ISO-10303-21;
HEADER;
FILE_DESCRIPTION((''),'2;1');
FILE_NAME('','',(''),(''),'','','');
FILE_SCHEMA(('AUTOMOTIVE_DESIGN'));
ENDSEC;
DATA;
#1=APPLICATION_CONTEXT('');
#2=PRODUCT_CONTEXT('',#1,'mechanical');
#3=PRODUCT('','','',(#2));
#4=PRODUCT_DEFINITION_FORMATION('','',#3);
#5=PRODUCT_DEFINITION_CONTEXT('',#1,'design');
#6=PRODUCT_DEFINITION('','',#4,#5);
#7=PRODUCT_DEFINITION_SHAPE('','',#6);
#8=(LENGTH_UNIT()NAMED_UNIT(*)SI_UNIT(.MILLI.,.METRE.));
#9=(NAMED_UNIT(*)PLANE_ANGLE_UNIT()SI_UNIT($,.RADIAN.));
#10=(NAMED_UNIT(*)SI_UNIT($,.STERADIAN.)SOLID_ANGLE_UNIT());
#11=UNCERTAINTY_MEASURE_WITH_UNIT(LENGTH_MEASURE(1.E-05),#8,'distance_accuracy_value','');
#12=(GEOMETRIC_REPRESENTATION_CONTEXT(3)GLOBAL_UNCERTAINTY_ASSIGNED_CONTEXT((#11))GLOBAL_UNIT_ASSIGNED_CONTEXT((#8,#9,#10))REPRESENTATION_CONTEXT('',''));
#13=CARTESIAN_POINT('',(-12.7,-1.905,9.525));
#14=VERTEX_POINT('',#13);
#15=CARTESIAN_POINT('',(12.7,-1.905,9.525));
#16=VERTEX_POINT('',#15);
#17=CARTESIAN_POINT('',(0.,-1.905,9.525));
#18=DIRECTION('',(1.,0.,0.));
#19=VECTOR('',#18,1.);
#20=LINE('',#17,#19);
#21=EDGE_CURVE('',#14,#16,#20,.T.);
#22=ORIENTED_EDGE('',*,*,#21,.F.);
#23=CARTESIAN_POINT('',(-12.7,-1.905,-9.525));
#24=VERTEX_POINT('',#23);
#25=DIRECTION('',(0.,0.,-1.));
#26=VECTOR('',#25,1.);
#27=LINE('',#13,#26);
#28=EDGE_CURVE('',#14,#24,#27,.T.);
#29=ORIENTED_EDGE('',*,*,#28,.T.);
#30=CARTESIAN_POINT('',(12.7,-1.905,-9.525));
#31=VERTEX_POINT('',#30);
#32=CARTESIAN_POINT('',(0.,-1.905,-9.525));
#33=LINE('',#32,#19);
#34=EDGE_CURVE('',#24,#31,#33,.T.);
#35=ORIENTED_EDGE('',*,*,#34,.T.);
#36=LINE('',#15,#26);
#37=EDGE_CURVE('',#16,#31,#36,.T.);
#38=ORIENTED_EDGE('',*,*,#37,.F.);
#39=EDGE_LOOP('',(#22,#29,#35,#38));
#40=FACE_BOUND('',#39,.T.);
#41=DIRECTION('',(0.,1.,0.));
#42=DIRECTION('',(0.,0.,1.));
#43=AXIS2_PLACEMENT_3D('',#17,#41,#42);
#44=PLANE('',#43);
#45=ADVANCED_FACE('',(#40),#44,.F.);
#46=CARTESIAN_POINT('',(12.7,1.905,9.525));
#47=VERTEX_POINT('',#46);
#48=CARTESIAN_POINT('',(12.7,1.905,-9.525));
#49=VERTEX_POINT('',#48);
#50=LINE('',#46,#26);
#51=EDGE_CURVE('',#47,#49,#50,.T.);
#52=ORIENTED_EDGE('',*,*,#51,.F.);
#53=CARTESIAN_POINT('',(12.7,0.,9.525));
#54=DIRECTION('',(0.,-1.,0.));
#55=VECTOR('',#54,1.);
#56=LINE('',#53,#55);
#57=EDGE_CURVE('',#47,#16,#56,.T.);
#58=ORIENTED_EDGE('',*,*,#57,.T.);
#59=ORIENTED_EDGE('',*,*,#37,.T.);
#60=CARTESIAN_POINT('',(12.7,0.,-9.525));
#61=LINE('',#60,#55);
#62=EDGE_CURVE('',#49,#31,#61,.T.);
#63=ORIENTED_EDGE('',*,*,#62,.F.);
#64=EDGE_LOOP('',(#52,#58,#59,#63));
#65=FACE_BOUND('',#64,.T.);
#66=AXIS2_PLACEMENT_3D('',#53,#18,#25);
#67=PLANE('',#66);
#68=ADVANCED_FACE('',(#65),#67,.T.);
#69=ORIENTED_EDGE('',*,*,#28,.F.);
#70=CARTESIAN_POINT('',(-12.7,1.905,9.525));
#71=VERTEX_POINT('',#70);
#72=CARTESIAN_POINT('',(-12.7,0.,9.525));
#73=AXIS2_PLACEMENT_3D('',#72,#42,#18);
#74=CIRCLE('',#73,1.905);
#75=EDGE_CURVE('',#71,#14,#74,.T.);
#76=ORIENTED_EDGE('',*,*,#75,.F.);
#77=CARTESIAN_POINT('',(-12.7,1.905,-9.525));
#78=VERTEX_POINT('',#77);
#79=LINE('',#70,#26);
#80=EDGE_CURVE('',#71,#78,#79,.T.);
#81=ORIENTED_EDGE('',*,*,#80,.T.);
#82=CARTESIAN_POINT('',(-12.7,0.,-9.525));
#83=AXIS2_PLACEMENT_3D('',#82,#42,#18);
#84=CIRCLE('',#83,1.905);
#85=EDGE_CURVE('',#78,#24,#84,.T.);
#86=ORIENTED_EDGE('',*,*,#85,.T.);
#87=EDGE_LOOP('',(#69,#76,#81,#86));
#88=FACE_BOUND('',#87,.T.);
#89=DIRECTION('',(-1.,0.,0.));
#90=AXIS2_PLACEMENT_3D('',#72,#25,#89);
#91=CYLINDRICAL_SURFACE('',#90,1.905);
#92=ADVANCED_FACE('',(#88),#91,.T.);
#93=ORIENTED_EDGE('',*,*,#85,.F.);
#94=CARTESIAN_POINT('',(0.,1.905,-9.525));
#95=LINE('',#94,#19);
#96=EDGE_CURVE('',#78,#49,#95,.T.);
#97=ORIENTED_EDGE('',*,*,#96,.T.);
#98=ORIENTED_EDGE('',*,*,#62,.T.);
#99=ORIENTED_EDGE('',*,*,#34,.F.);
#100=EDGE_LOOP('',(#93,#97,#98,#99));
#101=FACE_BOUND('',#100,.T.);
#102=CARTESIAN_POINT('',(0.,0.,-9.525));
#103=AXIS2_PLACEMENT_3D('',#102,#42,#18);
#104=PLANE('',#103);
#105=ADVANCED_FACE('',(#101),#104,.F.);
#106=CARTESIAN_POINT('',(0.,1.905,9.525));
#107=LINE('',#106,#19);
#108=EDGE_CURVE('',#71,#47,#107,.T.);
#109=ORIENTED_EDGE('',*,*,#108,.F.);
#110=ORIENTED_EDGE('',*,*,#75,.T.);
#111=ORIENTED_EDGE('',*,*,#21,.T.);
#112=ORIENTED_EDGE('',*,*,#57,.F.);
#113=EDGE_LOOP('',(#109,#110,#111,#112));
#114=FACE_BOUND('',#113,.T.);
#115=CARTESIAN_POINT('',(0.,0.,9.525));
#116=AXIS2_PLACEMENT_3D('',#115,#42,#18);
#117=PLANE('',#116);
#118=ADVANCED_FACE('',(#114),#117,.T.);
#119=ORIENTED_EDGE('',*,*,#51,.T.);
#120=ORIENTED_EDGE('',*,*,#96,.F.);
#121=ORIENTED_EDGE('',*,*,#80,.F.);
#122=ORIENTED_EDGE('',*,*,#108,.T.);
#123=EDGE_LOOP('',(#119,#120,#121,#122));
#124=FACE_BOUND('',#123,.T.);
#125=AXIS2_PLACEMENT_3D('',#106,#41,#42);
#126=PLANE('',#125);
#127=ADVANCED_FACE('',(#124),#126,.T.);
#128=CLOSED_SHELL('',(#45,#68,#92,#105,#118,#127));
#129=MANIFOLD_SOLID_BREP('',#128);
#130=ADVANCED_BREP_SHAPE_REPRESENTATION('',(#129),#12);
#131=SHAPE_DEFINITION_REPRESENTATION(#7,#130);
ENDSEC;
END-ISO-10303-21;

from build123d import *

# Parameters (mm, degrees)
BOSS_EXTRUDE1_DEPTH = 9.525


with BuildPart() as part:
    # Sketch1 → Boss-Extrude1 (new body, symmetric)
    with BuildSketch(Plane.XY):
        with BuildLine():
            Line((12.7, 1.905), (-12.7, 1.905))
            ThreePointArc((-12.7, 1.905), (-11.352961582, 1.347038418), (-10.795, 0))
            ThreePointArc((-10.795, 0), (-11.352961582, -1.347038418), (-12.7, -1.905))
            Line((-12.7, -1.905), (12.7, -1.905))
            Line((12.7, -1.905), (12.7, 1.905))
        make_face()
        with BuildLine():
            ThreePointArc((-10.795, 0), (-11.352961582, 1.347038418), (-12.7, 1.905))
            Line((-12.7, 1.905), (-12.7, -1.905))
            ThreePointArc((-12.7, -1.905), (-11.352961582, -1.347038418), (-10.795, 0))
        make_face()
        with BuildLine():
            Line((-12.7, -1.905), (-12.7, 1.905))
            ThreePointArc((-12.7, 1.905), (-14.605, 0), (-12.7, -1.905))
        make_face()
    extrude(amount=BOSS_EXTRUDE1_DEPTH, both=True)


solid = part.part
